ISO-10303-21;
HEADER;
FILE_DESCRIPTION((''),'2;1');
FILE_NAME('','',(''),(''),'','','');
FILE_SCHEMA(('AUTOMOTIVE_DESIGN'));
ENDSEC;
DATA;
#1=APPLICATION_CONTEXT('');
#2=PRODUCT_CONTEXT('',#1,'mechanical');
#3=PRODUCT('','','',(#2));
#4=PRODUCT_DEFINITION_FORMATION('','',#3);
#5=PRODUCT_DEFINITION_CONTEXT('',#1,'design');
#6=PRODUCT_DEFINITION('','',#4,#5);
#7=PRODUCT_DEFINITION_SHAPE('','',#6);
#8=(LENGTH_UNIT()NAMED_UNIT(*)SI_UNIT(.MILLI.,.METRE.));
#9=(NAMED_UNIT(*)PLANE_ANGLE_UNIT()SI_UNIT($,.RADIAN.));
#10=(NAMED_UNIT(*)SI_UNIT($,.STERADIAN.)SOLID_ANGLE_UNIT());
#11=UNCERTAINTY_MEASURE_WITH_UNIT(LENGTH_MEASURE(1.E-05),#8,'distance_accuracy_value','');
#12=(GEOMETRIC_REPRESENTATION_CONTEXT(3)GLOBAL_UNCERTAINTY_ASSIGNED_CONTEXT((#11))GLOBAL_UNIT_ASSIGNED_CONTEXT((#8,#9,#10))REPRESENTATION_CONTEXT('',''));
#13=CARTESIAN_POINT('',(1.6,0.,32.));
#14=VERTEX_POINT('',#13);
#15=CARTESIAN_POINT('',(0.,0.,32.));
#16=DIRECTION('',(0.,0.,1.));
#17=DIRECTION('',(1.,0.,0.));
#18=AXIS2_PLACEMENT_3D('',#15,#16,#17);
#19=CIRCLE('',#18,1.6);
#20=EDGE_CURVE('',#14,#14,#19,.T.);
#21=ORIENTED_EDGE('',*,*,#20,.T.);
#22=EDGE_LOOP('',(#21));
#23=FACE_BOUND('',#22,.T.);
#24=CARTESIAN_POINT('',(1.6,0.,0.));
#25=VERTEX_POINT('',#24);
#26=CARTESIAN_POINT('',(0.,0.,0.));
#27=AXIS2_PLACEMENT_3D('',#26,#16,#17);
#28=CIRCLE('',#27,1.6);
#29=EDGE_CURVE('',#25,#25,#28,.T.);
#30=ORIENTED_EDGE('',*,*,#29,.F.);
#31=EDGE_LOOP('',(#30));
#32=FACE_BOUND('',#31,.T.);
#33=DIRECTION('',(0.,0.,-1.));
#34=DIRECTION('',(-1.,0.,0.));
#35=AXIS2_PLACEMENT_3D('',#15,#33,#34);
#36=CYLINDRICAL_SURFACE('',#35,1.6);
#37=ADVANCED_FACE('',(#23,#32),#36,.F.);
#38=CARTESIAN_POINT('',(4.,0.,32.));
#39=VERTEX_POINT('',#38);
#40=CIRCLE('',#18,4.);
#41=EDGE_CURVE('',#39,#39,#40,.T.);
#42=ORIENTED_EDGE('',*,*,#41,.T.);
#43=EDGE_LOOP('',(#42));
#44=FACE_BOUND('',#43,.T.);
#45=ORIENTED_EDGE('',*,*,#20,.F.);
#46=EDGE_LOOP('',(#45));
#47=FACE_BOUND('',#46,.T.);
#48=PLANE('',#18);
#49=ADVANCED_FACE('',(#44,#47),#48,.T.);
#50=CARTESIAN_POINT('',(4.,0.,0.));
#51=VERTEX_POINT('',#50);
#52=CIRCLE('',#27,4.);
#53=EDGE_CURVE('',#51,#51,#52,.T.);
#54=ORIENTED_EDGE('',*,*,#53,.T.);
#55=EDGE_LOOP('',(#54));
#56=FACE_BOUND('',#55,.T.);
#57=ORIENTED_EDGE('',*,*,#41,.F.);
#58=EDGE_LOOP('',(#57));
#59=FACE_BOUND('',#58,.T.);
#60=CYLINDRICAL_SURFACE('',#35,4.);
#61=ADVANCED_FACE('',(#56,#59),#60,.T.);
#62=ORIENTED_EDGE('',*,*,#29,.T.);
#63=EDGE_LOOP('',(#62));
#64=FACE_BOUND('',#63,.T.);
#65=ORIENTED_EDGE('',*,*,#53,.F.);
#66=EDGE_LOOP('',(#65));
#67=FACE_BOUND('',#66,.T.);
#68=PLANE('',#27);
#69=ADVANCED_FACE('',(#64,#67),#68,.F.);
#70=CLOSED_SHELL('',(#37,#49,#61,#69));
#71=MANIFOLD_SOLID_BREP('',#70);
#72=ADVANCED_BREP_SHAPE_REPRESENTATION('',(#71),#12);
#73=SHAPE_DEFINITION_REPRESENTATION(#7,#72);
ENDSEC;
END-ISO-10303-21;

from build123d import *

# Parameters (mm, degrees)
STANDOFF_OD8_ID3P2_PROFILE_R   = 4
STANDOFF_OD8_ID3P2_PROFILE_R_2 = 1.6
STANDOFF_OD8_ID3P2_DEPTH       = 32


with BuildPart() as part:
    # Standoff_OD8_ID3p2_profile → Standoff_OD8_ID3p2 (new body)
    with BuildSketch(Plane.XY):
        Circle(STANDOFF_OD8_ID3P2_PROFILE_R)
        Circle(STANDOFF_OD8_ID3P2_PROFILE_R_2, mode=Mode.SUBTRACT)
    extrude(amount=STANDOFF_OD8_ID3P2_DEPTH)


solid = part.part
